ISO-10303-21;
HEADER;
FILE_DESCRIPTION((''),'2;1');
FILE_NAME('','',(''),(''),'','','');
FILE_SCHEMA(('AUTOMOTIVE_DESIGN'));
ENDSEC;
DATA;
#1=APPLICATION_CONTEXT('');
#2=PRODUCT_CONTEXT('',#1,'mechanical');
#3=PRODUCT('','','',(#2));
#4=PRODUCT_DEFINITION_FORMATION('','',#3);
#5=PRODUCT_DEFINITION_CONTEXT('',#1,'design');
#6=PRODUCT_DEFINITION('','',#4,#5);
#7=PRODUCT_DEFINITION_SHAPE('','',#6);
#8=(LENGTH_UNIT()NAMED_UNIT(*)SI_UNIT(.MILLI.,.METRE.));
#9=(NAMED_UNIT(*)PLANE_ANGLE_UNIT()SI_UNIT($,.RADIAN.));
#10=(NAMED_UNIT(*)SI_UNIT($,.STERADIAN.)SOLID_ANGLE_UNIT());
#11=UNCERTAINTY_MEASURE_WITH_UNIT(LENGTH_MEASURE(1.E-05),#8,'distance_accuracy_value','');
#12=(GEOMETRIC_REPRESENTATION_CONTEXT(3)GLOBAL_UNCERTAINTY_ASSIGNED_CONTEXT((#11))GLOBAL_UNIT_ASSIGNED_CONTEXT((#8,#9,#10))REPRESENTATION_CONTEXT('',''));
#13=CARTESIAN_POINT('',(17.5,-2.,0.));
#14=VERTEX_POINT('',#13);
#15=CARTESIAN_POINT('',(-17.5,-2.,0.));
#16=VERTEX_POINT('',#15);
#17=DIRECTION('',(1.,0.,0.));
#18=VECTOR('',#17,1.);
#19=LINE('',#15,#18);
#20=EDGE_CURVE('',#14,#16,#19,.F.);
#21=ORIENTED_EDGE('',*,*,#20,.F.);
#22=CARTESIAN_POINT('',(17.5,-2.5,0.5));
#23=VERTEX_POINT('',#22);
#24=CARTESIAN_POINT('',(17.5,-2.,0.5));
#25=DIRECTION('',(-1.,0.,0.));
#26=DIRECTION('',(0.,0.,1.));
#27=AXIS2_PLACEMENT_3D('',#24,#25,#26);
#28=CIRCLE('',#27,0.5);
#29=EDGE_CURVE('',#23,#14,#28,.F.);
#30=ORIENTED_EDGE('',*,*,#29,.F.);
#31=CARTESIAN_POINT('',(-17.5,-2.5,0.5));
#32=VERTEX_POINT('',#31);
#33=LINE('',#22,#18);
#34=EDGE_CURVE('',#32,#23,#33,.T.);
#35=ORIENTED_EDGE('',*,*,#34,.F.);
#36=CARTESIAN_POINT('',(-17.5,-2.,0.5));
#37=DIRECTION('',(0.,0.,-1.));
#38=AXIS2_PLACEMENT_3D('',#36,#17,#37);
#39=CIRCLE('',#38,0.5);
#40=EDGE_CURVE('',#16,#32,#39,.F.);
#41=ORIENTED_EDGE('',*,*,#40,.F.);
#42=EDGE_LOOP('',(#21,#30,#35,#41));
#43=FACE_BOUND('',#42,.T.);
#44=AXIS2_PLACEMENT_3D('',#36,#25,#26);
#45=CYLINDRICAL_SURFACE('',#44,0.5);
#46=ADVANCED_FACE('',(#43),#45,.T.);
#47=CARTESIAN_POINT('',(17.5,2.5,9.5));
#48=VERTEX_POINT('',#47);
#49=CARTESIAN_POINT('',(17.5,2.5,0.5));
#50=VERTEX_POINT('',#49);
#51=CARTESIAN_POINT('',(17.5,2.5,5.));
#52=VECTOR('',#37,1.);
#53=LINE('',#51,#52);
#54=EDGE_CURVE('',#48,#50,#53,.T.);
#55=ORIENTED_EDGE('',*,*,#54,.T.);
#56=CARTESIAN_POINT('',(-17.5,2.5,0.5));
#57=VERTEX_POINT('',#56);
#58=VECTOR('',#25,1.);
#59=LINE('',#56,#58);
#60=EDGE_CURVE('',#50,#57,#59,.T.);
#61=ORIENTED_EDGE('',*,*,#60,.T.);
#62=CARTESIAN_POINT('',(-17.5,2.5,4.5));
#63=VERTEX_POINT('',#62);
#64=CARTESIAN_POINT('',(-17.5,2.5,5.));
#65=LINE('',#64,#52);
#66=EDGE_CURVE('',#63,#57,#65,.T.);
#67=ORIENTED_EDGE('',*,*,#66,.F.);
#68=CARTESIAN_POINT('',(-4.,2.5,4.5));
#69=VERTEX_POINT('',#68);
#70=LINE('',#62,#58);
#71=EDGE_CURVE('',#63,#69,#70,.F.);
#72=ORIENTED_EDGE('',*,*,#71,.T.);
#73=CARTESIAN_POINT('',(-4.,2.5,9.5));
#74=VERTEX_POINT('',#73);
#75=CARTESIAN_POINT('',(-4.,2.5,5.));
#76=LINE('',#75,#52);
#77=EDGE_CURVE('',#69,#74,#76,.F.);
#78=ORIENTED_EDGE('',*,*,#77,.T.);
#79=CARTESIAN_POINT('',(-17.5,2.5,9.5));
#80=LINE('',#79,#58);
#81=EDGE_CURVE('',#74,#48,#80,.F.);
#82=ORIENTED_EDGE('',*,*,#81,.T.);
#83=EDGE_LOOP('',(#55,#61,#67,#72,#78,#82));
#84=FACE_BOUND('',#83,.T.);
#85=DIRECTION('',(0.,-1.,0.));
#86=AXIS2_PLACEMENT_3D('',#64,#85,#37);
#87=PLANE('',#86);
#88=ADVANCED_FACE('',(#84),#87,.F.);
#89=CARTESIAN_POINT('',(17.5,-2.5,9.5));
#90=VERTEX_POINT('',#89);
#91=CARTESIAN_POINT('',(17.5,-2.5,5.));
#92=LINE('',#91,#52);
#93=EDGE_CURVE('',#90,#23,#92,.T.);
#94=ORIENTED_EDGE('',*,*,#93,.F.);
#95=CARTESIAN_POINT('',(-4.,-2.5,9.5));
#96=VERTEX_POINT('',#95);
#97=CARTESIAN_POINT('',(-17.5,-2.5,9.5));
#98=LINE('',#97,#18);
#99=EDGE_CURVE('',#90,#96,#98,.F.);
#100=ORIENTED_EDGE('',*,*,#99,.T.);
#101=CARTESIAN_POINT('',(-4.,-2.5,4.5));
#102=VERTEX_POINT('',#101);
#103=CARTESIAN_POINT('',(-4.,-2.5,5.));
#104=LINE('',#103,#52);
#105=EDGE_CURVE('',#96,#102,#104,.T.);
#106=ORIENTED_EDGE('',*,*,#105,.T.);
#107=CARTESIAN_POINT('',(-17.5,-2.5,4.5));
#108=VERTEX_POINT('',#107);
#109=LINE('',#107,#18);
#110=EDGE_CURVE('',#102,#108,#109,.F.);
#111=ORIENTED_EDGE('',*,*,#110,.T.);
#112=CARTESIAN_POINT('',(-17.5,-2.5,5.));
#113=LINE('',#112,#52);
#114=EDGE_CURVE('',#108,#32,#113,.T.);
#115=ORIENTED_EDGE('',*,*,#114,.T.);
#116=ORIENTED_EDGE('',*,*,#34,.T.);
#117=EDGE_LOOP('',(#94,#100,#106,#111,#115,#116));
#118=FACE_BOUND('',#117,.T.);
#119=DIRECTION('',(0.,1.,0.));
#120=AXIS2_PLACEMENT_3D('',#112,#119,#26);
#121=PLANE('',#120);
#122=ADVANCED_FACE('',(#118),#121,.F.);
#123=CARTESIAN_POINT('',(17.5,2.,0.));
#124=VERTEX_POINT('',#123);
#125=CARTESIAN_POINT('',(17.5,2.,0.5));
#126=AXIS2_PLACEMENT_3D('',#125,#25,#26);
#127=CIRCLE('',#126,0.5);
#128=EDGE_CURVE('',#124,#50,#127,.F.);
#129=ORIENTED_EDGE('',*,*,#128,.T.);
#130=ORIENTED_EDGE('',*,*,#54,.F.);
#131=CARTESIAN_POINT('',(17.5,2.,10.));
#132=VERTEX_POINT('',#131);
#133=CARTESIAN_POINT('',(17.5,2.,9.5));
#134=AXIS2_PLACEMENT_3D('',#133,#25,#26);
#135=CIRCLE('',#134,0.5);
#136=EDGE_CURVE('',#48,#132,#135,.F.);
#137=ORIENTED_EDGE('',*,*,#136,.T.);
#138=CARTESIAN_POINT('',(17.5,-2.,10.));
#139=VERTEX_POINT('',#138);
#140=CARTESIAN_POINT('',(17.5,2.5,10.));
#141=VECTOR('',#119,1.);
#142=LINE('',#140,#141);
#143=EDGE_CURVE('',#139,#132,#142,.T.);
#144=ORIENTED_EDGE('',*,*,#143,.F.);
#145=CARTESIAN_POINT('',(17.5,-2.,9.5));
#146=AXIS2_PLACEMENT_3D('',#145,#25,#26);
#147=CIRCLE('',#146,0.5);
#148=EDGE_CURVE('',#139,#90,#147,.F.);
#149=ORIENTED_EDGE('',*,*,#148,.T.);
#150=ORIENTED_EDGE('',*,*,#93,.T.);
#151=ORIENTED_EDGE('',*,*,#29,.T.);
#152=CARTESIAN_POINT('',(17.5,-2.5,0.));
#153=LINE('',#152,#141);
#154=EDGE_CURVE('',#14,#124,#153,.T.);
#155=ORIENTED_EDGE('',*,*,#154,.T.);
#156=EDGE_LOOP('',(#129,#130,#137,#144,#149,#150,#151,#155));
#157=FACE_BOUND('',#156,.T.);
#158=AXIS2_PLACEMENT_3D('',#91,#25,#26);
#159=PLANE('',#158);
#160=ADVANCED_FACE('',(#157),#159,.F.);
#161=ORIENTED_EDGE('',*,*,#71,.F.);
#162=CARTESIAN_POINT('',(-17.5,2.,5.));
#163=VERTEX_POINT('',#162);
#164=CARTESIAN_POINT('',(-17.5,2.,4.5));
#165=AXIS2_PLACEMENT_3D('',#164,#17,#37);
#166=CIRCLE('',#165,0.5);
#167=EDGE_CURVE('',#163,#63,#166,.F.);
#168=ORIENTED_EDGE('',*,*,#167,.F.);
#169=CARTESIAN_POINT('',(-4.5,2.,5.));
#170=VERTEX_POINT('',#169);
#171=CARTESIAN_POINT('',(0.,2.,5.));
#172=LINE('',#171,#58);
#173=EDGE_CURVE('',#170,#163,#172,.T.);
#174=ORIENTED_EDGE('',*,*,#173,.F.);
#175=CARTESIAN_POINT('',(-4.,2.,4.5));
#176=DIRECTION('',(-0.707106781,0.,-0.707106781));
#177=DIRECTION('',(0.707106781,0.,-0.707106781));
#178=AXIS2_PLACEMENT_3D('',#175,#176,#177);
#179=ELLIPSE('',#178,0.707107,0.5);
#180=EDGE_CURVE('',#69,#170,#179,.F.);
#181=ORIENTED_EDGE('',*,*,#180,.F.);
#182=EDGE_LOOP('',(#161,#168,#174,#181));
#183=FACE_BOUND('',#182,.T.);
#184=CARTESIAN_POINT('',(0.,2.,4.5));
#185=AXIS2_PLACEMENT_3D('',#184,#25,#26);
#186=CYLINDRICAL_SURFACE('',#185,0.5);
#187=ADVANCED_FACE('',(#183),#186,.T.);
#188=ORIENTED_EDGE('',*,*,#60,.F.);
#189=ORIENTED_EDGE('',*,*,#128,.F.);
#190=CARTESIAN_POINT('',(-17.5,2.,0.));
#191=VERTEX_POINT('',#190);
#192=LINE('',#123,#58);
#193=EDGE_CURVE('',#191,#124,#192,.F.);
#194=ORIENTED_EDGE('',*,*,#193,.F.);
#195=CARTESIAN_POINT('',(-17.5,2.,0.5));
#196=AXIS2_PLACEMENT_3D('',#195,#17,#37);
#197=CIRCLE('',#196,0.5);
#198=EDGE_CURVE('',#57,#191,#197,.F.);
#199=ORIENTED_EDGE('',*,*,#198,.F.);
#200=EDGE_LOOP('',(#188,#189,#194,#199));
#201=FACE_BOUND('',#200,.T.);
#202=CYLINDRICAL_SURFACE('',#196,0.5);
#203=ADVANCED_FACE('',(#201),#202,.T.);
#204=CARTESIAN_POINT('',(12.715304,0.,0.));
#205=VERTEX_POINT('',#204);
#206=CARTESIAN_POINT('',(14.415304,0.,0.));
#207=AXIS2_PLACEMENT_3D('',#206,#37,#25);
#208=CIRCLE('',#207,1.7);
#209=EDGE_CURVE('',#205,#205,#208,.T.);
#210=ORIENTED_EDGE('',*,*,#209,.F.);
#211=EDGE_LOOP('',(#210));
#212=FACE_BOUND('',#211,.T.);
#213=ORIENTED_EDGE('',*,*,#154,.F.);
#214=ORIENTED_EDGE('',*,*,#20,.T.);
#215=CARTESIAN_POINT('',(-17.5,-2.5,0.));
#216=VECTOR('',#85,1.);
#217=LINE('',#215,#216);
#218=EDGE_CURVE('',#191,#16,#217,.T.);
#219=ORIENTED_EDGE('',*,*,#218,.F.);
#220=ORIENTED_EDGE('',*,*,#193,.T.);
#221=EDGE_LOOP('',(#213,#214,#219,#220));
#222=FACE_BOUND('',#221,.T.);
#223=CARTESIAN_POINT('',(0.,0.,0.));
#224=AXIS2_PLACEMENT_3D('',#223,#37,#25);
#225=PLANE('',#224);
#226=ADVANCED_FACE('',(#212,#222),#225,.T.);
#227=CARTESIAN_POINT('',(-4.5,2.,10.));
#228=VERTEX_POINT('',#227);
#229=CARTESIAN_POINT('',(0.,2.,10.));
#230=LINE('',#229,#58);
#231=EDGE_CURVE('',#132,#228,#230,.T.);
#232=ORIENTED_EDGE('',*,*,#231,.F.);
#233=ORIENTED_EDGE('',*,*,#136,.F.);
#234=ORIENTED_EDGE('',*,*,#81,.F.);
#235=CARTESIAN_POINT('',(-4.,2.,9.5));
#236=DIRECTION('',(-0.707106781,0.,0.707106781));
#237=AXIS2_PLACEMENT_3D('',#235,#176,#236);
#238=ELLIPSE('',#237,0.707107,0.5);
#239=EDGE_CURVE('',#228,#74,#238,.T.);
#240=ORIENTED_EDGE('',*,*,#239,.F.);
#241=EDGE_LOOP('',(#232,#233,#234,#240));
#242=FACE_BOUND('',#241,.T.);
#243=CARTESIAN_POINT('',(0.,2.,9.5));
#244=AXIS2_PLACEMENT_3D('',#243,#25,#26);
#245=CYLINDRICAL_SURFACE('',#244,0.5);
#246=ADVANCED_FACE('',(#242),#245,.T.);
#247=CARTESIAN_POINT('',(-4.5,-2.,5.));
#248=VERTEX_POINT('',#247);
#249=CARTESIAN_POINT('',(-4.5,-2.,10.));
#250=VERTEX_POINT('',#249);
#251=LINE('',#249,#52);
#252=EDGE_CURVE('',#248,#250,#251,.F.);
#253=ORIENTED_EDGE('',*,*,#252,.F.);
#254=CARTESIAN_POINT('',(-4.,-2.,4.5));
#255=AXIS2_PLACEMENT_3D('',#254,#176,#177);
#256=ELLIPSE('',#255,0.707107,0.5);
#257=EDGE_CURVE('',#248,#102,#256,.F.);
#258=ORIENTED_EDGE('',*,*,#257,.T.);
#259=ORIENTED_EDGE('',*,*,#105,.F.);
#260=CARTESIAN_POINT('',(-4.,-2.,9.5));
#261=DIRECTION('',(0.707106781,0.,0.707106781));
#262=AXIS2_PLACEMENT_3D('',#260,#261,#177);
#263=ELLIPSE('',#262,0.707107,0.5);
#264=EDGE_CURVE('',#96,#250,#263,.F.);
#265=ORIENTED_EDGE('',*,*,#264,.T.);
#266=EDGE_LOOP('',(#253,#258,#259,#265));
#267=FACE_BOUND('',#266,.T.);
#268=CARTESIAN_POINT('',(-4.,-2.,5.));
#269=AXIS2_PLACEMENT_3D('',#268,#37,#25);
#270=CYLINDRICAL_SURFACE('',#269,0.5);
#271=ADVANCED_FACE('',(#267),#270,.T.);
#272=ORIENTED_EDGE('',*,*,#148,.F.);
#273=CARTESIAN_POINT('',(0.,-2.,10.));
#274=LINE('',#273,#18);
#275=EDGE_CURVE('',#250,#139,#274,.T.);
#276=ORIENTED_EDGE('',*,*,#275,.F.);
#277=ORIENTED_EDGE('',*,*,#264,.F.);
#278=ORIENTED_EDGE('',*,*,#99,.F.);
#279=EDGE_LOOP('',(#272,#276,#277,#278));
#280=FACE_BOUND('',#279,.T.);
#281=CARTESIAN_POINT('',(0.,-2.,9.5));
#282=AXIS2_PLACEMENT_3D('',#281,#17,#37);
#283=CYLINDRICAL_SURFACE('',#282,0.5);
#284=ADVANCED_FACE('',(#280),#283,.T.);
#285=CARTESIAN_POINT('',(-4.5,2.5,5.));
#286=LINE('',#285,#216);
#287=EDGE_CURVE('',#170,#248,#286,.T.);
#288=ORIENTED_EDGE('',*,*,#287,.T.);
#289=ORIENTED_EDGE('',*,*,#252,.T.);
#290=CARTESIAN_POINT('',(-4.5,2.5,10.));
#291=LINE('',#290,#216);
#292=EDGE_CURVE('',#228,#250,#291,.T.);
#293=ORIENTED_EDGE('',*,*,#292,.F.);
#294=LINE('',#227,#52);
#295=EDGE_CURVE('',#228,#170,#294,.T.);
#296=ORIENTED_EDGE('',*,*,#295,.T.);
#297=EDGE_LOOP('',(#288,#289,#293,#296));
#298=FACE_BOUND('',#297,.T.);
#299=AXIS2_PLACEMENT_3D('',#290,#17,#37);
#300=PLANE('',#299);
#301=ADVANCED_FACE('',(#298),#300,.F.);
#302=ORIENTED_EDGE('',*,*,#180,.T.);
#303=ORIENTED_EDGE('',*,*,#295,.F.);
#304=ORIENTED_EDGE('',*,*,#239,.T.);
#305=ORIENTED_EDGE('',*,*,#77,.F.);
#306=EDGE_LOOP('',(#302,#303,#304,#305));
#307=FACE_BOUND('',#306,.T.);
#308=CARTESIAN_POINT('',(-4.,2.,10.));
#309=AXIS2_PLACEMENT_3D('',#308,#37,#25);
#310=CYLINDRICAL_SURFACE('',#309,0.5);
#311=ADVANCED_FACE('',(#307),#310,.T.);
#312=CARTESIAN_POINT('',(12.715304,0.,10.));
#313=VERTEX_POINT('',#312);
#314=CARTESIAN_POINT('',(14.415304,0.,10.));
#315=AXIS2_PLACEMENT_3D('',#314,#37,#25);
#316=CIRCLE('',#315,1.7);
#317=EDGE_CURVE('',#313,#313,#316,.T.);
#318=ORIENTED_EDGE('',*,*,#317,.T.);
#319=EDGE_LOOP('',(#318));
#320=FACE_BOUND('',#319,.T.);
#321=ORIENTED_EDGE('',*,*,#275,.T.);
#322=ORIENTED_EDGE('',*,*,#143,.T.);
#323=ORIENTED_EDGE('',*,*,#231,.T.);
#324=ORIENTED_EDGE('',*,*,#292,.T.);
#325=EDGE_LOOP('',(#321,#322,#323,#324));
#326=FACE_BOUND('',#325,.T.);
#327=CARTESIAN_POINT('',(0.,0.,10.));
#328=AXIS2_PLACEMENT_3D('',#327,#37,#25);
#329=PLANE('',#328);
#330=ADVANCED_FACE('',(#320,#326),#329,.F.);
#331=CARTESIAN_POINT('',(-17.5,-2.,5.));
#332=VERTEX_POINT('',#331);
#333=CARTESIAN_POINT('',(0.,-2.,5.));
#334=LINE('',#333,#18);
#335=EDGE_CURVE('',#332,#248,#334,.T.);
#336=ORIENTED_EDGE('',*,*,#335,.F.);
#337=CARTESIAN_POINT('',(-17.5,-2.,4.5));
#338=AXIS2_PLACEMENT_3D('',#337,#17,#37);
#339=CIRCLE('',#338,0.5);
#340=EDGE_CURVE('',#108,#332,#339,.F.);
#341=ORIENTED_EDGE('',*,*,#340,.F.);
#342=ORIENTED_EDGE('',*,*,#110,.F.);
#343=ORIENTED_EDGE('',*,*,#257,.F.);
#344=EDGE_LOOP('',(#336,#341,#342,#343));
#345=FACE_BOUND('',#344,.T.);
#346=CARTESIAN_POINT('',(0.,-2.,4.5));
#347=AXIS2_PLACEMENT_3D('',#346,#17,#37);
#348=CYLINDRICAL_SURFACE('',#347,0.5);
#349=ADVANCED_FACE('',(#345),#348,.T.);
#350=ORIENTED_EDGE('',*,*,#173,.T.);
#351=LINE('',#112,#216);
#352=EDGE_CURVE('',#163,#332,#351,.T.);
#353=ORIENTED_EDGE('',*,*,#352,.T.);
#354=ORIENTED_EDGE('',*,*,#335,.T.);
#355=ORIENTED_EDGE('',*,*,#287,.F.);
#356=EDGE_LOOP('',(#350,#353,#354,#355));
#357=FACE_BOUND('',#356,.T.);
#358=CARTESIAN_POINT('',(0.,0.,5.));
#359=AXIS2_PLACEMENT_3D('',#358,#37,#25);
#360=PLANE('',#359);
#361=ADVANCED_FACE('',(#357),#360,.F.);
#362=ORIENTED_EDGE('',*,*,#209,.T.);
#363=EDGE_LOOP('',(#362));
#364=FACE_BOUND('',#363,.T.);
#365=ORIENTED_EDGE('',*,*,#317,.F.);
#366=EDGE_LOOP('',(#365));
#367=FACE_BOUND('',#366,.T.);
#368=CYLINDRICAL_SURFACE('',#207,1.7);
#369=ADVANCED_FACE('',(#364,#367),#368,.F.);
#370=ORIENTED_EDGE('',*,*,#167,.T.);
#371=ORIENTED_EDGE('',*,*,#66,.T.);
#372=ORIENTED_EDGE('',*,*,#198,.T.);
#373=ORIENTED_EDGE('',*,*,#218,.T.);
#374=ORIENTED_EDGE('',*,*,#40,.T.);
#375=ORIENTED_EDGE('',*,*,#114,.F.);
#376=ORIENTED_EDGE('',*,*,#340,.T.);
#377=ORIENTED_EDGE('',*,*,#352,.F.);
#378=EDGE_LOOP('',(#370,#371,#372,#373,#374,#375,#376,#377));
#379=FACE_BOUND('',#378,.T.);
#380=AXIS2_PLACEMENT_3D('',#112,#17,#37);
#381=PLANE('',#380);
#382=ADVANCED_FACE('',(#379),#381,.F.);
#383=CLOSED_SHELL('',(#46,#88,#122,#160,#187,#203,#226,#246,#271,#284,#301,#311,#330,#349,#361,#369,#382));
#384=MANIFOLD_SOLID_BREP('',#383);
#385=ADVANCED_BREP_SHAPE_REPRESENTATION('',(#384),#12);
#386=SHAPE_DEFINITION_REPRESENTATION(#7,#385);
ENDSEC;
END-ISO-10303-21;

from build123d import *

# Parameters (mm, degrees)
SKETCH1_W            = 35
SKETCH1_H            = 5
BOSS_EXTRUDE1_DEPTH  = 5
SKETCH3_W            = 22
SKETCH3_H            = 5
BOSS_EXTRUDE3_DEPTH  = 5
FILLET1_R            = 0.5
M3_CLEARANCE_HOLE1_D = 3.4


with BuildPart() as part:
    # Sketch1 → Boss-Extrude1 (new body)
    with BuildSketch(Plane.XY):
        Rectangle(SKETCH1_W, SKETCH1_H)
    extrude(amount=BOSS_EXTRUDE1_DEPTH)

    # Sketch3 → Boss-Extrude3 (add)
    with BuildSketch(Plane.XY.offset(5)):
        with Locations((6.5, 0)):
            Rectangle(SKETCH3_W, SKETCH3_H)
    extrude(amount=BOSS_EXTRUDE3_DEPTH)

    # Fillet1
    fillet1_edges = [part.edges().sort_by_distance(p)[0] for p in [
        (-11, 2.5, 5),
        (-4.5, 2.5, 7.5),
        (-4.5, -2.5, 7.5),
        (-11, -2.5, 5),
        (6.5, 2.5, 10),
        (6.5, -2.5, 10),
        (0, -2.5, 0),
        (0, 2.5, 0),
    ]]
    fillet(fillet1_edges, radius=FILLET1_R)

    # M3 Clearance Hole1 (through all)
    with Locations(Plane(origin=(14.415303624, 0, 0), x_dir=(-1, 0, 0), z_dir=(0, 0, -1))):
        with Locations((0, 0)):
            Hole(M3_CLEARANCE_HOLE1_D / 2)


solid = part.part
